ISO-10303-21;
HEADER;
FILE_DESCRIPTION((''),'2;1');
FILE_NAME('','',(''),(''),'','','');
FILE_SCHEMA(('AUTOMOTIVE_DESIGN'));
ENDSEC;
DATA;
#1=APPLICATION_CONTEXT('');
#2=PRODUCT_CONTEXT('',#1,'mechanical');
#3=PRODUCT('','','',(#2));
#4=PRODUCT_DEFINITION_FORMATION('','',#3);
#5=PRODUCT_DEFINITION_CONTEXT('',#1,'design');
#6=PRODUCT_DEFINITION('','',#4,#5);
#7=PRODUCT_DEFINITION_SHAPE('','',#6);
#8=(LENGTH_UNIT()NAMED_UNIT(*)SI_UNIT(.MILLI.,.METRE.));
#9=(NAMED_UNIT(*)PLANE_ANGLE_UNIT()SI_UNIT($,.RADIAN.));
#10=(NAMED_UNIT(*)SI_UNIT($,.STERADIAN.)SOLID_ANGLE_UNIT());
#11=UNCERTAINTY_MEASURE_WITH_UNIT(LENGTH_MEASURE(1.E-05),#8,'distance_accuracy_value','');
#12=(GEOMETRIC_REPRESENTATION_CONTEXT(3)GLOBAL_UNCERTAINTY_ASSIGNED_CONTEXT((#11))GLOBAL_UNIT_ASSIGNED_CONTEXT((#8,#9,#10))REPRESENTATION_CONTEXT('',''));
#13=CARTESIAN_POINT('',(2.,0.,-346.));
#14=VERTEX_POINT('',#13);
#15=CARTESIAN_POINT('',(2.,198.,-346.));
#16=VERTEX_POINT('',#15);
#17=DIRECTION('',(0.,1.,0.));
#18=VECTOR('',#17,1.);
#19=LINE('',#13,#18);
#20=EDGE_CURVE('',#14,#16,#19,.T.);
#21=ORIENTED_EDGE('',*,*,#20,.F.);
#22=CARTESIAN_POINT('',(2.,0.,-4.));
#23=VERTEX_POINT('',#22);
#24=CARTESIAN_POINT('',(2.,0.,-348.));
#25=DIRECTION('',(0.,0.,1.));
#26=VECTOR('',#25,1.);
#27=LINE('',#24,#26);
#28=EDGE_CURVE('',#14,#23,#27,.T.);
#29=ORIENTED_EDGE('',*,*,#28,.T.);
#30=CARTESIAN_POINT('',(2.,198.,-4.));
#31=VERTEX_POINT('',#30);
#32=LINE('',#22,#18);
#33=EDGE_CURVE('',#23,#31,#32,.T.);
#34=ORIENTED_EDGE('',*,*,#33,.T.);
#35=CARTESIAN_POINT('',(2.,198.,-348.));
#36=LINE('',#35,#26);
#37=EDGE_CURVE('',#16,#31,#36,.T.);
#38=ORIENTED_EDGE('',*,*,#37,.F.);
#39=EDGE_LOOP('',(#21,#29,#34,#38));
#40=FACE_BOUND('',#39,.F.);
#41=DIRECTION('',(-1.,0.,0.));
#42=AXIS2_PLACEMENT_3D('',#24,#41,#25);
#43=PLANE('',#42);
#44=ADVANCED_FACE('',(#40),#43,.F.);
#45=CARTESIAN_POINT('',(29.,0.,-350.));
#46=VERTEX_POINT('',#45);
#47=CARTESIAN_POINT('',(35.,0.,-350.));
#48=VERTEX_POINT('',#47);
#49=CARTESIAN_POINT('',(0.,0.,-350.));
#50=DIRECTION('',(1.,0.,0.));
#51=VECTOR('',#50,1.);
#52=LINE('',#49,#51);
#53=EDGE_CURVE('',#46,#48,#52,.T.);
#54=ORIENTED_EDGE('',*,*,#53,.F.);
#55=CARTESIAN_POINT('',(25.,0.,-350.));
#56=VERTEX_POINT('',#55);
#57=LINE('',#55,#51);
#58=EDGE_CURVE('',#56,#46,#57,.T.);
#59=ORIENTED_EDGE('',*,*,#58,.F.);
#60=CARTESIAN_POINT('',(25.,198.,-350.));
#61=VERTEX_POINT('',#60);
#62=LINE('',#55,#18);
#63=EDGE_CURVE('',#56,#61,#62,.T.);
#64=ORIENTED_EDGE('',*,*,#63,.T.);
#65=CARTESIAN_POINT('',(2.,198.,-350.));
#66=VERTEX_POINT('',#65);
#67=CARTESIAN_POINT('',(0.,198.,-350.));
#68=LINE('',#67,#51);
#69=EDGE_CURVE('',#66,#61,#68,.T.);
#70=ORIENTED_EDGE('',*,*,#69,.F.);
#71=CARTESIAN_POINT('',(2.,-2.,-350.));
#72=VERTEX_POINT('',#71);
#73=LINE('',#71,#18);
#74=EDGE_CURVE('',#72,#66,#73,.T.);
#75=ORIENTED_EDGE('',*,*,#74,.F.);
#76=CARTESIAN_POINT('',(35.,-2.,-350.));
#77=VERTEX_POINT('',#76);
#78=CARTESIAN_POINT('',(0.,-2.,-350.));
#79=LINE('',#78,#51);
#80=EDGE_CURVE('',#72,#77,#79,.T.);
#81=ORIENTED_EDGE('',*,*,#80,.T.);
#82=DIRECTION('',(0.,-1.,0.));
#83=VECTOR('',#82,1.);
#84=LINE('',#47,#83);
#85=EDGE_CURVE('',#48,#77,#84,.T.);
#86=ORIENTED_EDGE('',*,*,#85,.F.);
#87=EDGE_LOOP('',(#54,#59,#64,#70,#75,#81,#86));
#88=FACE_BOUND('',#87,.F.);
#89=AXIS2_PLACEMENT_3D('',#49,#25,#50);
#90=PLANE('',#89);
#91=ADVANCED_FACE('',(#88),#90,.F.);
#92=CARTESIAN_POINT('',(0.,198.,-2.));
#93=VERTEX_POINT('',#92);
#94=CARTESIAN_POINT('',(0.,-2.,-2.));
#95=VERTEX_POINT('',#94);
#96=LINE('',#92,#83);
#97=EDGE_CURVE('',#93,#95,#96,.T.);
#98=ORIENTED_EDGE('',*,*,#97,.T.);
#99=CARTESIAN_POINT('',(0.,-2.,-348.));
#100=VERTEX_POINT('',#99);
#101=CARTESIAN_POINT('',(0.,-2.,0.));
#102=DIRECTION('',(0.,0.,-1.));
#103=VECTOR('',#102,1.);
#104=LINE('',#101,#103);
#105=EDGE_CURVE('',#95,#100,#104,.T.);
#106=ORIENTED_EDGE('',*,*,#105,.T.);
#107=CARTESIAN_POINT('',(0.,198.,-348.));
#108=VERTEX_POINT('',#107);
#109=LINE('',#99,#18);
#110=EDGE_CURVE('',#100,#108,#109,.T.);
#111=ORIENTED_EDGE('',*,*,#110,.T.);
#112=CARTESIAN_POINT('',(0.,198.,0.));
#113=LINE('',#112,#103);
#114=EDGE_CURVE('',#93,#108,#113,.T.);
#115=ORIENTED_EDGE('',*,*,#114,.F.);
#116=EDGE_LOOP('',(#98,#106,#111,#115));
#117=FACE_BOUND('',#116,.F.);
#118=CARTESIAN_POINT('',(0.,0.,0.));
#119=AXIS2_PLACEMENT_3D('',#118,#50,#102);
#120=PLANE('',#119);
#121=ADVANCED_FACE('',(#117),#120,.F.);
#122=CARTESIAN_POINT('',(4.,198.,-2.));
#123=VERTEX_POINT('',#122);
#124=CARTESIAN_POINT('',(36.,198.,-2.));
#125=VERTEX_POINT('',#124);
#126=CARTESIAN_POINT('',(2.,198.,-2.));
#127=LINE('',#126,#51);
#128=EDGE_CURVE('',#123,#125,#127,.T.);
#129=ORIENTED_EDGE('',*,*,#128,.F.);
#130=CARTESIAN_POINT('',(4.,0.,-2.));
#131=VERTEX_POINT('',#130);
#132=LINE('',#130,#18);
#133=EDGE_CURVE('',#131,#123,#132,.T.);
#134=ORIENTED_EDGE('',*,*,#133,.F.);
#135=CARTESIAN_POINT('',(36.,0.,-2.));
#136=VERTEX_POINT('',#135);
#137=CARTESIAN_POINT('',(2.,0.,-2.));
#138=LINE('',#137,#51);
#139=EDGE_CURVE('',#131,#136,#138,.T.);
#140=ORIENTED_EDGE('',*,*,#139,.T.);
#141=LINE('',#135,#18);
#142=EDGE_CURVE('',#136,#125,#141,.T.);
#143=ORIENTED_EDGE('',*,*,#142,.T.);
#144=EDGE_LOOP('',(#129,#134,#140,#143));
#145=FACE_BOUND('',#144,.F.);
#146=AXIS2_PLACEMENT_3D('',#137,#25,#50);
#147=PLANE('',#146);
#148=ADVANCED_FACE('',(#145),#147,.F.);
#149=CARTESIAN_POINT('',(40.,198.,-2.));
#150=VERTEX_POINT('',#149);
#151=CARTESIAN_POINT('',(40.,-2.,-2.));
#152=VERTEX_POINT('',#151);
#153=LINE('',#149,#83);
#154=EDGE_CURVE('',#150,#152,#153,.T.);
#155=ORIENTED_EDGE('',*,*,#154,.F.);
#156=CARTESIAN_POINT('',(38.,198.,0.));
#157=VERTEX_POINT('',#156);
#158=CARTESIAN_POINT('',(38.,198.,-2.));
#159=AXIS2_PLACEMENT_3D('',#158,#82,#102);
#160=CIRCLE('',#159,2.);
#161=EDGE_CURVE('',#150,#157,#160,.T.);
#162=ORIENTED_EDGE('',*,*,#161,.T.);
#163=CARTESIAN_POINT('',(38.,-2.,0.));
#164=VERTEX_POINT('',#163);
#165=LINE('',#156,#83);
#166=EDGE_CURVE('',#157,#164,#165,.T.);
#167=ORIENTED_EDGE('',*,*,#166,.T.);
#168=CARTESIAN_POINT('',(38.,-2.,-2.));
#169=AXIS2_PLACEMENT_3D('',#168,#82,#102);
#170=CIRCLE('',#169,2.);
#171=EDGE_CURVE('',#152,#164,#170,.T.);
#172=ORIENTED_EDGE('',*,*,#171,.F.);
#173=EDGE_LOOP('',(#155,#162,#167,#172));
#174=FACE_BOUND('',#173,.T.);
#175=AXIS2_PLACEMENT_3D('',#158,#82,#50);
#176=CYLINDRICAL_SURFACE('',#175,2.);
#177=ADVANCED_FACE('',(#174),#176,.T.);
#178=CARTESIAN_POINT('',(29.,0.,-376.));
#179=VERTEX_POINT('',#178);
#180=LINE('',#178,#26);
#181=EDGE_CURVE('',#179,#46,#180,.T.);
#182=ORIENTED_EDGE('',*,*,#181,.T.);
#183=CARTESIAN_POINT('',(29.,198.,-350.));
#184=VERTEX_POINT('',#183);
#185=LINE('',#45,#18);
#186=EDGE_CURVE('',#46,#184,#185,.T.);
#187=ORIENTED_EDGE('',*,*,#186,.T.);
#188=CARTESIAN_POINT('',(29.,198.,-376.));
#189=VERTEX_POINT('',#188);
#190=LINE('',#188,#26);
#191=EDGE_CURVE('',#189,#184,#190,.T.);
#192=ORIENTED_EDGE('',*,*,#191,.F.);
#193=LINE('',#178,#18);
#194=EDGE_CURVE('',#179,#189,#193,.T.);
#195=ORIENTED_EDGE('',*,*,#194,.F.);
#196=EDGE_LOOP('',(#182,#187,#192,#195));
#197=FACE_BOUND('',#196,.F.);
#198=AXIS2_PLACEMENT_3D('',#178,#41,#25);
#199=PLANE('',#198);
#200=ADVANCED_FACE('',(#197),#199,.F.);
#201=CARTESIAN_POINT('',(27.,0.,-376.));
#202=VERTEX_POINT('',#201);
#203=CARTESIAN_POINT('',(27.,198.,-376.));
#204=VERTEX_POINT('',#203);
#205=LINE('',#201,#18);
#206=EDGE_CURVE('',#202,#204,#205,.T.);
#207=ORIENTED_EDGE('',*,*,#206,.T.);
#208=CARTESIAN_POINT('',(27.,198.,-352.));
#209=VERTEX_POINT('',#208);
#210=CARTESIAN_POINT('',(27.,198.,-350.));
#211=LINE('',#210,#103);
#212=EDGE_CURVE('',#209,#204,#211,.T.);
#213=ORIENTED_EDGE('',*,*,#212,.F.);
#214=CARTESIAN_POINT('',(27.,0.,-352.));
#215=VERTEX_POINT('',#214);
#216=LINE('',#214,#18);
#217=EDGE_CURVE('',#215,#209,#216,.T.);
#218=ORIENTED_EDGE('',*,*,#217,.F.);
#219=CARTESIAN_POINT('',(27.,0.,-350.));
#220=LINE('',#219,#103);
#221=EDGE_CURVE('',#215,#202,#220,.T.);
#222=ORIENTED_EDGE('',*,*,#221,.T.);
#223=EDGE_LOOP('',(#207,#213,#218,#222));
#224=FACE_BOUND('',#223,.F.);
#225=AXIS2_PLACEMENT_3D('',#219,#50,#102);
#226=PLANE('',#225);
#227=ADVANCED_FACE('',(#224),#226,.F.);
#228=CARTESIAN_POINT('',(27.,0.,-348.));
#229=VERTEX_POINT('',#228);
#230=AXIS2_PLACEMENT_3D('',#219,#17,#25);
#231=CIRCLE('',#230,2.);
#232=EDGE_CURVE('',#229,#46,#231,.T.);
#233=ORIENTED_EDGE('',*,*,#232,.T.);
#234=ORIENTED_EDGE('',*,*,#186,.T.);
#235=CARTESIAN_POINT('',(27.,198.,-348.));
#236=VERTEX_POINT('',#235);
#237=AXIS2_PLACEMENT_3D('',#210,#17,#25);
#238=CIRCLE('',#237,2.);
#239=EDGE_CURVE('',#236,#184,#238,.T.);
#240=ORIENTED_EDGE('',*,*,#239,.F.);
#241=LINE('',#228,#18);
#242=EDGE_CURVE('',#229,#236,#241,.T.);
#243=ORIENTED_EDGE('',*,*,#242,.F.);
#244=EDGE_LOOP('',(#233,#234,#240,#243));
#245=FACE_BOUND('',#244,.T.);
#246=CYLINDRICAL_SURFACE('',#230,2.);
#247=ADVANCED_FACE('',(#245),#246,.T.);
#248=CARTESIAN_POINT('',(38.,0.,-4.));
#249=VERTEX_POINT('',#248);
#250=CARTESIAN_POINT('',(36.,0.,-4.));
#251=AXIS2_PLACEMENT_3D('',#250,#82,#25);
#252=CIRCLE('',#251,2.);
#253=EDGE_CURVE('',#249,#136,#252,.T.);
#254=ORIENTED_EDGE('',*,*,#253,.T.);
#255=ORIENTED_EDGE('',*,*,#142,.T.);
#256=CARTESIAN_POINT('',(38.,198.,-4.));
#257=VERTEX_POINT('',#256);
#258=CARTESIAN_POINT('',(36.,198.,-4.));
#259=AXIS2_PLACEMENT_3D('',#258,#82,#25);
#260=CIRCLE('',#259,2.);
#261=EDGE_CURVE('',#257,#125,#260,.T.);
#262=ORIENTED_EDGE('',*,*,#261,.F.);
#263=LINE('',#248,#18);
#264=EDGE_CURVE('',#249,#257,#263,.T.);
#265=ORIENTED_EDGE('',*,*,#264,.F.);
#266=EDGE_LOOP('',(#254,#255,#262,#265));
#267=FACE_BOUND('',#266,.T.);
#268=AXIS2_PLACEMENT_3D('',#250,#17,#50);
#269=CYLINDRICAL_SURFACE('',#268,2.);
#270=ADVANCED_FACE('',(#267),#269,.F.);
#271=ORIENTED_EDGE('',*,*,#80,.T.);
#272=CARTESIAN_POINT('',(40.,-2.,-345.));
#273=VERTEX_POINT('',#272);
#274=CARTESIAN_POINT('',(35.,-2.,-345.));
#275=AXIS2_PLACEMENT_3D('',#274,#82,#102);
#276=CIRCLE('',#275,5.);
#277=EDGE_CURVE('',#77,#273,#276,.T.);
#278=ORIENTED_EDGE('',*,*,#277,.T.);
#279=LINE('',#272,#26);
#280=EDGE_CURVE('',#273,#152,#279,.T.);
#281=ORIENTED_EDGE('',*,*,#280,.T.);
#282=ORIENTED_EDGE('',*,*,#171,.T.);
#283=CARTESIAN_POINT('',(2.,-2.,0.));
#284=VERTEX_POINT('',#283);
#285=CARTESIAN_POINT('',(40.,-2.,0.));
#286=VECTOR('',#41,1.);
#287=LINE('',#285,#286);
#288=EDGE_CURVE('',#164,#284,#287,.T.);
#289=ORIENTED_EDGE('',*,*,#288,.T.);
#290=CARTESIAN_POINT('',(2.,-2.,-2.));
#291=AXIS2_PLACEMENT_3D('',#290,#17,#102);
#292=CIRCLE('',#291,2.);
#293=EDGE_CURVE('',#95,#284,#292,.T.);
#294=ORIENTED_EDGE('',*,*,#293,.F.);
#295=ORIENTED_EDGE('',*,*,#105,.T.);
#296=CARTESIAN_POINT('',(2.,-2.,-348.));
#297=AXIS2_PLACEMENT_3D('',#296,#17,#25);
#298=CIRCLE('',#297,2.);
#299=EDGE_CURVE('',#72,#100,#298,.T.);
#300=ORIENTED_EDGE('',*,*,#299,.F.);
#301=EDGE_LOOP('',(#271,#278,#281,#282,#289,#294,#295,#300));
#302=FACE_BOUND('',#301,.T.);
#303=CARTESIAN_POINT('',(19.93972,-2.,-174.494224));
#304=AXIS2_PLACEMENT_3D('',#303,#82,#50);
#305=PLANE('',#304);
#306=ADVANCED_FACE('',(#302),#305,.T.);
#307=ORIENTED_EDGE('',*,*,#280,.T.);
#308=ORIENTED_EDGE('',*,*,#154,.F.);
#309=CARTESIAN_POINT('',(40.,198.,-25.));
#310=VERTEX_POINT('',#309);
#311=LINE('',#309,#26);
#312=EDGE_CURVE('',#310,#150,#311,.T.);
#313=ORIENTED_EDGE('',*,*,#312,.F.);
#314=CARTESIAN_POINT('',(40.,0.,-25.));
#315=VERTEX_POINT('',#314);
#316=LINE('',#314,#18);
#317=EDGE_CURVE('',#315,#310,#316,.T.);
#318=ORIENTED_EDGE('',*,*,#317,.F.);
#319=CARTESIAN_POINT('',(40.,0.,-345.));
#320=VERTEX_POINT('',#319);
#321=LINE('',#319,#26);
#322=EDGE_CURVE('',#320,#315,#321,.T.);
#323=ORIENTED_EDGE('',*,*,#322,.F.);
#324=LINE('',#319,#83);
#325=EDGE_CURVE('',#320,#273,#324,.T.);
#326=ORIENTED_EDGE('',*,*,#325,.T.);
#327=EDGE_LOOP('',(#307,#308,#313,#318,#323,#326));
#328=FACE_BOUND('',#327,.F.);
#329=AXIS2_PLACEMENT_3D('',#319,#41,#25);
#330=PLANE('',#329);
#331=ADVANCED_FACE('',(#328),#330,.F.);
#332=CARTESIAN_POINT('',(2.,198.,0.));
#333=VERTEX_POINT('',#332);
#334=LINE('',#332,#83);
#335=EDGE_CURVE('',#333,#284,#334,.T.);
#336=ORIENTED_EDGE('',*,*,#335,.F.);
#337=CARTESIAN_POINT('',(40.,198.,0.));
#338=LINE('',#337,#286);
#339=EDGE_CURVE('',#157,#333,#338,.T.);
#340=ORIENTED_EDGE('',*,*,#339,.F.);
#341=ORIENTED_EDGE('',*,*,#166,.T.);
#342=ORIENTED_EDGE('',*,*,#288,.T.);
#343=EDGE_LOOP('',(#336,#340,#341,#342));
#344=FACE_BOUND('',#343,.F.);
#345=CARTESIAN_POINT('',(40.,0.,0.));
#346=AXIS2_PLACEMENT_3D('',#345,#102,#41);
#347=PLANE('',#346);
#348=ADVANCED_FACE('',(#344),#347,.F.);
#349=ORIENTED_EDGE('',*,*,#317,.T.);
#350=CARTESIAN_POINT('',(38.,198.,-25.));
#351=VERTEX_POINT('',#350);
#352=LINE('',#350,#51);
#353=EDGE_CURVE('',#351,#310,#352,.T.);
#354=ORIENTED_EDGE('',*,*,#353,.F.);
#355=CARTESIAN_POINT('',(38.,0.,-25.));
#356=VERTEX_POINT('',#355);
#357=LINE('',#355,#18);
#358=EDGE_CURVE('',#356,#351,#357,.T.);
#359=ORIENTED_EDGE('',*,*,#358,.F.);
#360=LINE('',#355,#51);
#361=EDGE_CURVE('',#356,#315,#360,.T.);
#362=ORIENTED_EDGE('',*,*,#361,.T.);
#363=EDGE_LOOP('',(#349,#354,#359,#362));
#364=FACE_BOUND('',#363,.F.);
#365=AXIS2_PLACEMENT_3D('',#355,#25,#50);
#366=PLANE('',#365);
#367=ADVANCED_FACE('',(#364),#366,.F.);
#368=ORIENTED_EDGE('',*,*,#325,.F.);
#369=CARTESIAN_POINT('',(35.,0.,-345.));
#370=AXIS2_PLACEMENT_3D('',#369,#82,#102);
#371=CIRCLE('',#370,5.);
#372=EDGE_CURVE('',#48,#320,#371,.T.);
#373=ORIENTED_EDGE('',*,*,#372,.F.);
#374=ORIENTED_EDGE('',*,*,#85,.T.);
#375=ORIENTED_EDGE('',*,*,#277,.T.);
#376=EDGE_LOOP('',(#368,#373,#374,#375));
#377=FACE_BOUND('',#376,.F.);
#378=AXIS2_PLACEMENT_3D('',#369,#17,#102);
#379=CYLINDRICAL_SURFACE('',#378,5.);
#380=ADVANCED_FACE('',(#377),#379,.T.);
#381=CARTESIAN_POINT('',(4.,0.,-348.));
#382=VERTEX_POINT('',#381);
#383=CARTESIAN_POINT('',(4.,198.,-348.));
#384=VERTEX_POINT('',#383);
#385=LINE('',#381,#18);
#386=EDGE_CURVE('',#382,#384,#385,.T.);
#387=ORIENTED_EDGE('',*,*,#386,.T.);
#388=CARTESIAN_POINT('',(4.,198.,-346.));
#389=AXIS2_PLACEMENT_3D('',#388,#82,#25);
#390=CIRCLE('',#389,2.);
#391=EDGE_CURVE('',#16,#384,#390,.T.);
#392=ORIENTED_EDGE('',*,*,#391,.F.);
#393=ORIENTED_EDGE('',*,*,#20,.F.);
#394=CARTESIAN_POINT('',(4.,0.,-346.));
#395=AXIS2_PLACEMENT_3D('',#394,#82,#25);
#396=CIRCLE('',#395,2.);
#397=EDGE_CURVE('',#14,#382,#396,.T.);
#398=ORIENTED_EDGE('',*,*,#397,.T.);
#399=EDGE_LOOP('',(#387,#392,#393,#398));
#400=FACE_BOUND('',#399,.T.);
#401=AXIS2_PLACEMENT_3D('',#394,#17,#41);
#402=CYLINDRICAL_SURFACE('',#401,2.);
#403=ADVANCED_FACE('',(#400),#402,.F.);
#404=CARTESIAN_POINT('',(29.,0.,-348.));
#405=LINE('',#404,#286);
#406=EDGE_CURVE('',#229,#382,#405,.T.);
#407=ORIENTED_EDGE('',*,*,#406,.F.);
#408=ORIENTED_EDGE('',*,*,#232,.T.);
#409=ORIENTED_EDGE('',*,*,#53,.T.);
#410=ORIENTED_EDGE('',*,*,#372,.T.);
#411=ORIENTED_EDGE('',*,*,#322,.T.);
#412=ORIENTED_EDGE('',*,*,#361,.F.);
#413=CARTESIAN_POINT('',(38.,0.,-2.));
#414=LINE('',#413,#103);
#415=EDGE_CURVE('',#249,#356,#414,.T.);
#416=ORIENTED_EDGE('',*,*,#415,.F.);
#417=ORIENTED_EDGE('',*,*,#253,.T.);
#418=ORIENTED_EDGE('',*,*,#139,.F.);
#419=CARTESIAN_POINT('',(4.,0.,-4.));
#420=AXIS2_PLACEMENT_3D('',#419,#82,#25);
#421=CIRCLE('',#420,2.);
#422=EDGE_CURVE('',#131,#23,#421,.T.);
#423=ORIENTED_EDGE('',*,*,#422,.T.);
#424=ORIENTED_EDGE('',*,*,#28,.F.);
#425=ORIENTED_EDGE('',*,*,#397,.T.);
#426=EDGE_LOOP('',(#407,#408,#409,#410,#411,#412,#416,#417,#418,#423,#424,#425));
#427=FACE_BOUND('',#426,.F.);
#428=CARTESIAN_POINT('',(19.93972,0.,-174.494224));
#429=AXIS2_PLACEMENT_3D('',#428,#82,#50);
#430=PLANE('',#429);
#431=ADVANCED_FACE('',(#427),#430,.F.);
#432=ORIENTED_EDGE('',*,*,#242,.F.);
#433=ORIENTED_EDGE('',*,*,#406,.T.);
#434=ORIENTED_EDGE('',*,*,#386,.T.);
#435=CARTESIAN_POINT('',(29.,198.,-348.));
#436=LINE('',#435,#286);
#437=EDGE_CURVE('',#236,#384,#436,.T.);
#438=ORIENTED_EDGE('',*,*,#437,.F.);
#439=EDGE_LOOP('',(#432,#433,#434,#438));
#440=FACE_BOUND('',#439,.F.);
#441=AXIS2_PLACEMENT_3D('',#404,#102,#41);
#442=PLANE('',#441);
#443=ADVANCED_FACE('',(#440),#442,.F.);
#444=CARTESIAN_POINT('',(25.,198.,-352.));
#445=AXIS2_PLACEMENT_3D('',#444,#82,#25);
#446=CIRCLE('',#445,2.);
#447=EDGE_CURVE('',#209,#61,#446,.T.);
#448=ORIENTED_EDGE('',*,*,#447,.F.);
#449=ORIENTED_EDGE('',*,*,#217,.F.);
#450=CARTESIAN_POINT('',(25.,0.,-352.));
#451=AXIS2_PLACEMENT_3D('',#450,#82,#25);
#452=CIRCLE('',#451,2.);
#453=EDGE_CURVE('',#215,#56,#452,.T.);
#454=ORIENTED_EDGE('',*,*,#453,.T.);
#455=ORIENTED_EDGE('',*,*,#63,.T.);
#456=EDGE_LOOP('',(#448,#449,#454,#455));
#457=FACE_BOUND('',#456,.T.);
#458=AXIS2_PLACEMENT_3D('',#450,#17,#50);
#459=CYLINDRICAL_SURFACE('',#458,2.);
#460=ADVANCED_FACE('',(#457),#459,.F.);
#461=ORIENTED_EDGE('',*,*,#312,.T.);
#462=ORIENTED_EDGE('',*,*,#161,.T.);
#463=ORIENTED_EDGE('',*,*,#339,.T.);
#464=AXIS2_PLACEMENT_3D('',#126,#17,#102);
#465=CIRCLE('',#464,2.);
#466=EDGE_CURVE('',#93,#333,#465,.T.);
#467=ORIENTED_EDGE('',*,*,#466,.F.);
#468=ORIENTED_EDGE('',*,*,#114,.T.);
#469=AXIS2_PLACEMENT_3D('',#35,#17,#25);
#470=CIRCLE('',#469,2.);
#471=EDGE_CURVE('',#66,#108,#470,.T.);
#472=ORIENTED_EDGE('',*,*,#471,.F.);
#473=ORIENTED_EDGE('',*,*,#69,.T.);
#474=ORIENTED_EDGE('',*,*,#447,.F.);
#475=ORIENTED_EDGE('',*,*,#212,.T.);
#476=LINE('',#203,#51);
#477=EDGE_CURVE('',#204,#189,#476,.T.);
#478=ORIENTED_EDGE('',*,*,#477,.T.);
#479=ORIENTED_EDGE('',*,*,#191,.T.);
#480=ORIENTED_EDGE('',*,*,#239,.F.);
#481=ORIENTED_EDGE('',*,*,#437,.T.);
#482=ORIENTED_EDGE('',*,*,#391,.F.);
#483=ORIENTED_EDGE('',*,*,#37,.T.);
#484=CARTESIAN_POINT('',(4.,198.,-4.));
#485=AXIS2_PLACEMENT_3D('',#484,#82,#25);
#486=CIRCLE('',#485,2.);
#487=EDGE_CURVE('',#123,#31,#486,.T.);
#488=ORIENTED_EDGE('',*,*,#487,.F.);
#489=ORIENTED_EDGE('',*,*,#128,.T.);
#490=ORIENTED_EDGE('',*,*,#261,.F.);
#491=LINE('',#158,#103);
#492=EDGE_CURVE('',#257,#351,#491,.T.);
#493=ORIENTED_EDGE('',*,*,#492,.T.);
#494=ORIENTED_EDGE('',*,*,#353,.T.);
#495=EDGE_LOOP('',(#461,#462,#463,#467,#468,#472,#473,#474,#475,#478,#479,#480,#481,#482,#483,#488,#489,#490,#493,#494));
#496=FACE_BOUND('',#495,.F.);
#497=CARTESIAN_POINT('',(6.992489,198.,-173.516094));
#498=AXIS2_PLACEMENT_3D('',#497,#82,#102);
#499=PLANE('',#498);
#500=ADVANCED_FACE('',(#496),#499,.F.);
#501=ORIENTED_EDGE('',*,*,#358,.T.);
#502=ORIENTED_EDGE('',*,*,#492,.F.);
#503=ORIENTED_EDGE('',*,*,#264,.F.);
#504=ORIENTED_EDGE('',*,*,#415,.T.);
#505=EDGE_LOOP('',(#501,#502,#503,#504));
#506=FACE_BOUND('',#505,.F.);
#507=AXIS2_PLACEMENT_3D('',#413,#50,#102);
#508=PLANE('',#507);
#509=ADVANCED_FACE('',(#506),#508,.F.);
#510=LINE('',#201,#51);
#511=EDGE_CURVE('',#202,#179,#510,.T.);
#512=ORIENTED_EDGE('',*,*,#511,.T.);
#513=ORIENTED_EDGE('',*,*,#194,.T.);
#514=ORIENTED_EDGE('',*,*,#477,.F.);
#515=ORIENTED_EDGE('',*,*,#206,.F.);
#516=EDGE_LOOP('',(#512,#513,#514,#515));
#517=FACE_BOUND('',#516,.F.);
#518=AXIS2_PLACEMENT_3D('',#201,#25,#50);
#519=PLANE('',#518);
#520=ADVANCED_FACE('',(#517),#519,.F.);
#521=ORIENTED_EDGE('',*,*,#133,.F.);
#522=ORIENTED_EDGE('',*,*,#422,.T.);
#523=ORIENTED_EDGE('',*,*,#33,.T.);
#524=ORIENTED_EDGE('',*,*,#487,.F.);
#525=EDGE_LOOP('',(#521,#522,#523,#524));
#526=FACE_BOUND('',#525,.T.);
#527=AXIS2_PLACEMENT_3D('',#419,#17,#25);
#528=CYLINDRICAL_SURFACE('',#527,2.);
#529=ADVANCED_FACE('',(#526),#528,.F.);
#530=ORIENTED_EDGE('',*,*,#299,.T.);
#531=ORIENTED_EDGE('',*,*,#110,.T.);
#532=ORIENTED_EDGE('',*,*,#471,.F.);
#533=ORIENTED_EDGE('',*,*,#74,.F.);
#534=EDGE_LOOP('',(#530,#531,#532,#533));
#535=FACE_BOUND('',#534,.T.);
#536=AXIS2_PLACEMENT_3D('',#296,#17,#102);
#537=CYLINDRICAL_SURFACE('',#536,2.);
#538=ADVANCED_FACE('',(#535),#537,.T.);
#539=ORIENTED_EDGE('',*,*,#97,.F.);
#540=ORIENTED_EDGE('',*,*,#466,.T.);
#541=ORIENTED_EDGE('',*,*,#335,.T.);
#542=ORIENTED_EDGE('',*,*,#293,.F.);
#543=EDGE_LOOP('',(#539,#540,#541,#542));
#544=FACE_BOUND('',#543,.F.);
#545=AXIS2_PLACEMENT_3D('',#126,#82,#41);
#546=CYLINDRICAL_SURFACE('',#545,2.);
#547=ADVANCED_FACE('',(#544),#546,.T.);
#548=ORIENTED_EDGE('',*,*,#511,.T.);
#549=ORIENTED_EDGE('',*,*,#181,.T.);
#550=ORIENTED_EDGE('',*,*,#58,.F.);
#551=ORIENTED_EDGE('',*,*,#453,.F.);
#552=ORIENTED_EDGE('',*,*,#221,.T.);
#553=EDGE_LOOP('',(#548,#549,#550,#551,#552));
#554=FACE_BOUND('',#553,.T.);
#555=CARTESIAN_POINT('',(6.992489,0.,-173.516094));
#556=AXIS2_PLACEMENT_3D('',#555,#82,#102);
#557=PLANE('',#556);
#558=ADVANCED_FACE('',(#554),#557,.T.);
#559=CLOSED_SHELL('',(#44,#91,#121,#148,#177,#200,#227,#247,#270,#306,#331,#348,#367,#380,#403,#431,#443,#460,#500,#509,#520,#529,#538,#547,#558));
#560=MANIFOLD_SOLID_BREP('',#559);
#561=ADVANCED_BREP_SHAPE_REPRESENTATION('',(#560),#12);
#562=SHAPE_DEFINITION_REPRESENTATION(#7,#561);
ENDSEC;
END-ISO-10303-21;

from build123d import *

# Parameters (mm, degrees)
F4_DEPTH = 2
F6_R     = 2


with BuildPart() as f2:
    # F2: sweep along a path in F1
    with BuildLine(Plane.XY) as f2_path:
        Line((0, 0), (0, 198))
    # F0 (on Front) → F2 (sweep)
    with BuildSketch(Plane.XZ):
        Polygon((40, 0), (0, 0), (0, -350), (27, -350), (27, -376), (29, -376), (29, -348), (2, -348), (2, -2), (38, -2), (38, -25), (40, -25), align=None)
    sweep(path=f2_path.line)


with BuildPart() as f4:
    # F3 (on face) → F4 (new body)
    with BuildSketch(Plane.XZ):
        with BuildLine():
            Line((40, -345), (40, 0))
            Line((40, 0), (0, 0))
            Line((0, 0), (0, -350))
            Line((0, -350), (35, -350))
            ThreePointArc((35, -350), (38.5355339059, -348.5355339059), (40, -345))
        make_face()
    extrude(amount=F4_DEPTH)


with BuildPart() as f2_1:
    add(f2.part)

    # F5: union F4
    add(f4.part)

    # F6
    f6_edges = [f2_1.edges().sort_by_distance(p)[0] for p in [
        (40, 98, 0),
        (0, 98, 0),
        (29, 99, -348),
        (2, 99, -348),
        (27, 99, -350),
        (0, 98, -350),
        (2, 99, -2),
        (38, 99, -2),
    ]]
    fillet(f6_edges, radius=F6_R)


solid = f2_1.part
